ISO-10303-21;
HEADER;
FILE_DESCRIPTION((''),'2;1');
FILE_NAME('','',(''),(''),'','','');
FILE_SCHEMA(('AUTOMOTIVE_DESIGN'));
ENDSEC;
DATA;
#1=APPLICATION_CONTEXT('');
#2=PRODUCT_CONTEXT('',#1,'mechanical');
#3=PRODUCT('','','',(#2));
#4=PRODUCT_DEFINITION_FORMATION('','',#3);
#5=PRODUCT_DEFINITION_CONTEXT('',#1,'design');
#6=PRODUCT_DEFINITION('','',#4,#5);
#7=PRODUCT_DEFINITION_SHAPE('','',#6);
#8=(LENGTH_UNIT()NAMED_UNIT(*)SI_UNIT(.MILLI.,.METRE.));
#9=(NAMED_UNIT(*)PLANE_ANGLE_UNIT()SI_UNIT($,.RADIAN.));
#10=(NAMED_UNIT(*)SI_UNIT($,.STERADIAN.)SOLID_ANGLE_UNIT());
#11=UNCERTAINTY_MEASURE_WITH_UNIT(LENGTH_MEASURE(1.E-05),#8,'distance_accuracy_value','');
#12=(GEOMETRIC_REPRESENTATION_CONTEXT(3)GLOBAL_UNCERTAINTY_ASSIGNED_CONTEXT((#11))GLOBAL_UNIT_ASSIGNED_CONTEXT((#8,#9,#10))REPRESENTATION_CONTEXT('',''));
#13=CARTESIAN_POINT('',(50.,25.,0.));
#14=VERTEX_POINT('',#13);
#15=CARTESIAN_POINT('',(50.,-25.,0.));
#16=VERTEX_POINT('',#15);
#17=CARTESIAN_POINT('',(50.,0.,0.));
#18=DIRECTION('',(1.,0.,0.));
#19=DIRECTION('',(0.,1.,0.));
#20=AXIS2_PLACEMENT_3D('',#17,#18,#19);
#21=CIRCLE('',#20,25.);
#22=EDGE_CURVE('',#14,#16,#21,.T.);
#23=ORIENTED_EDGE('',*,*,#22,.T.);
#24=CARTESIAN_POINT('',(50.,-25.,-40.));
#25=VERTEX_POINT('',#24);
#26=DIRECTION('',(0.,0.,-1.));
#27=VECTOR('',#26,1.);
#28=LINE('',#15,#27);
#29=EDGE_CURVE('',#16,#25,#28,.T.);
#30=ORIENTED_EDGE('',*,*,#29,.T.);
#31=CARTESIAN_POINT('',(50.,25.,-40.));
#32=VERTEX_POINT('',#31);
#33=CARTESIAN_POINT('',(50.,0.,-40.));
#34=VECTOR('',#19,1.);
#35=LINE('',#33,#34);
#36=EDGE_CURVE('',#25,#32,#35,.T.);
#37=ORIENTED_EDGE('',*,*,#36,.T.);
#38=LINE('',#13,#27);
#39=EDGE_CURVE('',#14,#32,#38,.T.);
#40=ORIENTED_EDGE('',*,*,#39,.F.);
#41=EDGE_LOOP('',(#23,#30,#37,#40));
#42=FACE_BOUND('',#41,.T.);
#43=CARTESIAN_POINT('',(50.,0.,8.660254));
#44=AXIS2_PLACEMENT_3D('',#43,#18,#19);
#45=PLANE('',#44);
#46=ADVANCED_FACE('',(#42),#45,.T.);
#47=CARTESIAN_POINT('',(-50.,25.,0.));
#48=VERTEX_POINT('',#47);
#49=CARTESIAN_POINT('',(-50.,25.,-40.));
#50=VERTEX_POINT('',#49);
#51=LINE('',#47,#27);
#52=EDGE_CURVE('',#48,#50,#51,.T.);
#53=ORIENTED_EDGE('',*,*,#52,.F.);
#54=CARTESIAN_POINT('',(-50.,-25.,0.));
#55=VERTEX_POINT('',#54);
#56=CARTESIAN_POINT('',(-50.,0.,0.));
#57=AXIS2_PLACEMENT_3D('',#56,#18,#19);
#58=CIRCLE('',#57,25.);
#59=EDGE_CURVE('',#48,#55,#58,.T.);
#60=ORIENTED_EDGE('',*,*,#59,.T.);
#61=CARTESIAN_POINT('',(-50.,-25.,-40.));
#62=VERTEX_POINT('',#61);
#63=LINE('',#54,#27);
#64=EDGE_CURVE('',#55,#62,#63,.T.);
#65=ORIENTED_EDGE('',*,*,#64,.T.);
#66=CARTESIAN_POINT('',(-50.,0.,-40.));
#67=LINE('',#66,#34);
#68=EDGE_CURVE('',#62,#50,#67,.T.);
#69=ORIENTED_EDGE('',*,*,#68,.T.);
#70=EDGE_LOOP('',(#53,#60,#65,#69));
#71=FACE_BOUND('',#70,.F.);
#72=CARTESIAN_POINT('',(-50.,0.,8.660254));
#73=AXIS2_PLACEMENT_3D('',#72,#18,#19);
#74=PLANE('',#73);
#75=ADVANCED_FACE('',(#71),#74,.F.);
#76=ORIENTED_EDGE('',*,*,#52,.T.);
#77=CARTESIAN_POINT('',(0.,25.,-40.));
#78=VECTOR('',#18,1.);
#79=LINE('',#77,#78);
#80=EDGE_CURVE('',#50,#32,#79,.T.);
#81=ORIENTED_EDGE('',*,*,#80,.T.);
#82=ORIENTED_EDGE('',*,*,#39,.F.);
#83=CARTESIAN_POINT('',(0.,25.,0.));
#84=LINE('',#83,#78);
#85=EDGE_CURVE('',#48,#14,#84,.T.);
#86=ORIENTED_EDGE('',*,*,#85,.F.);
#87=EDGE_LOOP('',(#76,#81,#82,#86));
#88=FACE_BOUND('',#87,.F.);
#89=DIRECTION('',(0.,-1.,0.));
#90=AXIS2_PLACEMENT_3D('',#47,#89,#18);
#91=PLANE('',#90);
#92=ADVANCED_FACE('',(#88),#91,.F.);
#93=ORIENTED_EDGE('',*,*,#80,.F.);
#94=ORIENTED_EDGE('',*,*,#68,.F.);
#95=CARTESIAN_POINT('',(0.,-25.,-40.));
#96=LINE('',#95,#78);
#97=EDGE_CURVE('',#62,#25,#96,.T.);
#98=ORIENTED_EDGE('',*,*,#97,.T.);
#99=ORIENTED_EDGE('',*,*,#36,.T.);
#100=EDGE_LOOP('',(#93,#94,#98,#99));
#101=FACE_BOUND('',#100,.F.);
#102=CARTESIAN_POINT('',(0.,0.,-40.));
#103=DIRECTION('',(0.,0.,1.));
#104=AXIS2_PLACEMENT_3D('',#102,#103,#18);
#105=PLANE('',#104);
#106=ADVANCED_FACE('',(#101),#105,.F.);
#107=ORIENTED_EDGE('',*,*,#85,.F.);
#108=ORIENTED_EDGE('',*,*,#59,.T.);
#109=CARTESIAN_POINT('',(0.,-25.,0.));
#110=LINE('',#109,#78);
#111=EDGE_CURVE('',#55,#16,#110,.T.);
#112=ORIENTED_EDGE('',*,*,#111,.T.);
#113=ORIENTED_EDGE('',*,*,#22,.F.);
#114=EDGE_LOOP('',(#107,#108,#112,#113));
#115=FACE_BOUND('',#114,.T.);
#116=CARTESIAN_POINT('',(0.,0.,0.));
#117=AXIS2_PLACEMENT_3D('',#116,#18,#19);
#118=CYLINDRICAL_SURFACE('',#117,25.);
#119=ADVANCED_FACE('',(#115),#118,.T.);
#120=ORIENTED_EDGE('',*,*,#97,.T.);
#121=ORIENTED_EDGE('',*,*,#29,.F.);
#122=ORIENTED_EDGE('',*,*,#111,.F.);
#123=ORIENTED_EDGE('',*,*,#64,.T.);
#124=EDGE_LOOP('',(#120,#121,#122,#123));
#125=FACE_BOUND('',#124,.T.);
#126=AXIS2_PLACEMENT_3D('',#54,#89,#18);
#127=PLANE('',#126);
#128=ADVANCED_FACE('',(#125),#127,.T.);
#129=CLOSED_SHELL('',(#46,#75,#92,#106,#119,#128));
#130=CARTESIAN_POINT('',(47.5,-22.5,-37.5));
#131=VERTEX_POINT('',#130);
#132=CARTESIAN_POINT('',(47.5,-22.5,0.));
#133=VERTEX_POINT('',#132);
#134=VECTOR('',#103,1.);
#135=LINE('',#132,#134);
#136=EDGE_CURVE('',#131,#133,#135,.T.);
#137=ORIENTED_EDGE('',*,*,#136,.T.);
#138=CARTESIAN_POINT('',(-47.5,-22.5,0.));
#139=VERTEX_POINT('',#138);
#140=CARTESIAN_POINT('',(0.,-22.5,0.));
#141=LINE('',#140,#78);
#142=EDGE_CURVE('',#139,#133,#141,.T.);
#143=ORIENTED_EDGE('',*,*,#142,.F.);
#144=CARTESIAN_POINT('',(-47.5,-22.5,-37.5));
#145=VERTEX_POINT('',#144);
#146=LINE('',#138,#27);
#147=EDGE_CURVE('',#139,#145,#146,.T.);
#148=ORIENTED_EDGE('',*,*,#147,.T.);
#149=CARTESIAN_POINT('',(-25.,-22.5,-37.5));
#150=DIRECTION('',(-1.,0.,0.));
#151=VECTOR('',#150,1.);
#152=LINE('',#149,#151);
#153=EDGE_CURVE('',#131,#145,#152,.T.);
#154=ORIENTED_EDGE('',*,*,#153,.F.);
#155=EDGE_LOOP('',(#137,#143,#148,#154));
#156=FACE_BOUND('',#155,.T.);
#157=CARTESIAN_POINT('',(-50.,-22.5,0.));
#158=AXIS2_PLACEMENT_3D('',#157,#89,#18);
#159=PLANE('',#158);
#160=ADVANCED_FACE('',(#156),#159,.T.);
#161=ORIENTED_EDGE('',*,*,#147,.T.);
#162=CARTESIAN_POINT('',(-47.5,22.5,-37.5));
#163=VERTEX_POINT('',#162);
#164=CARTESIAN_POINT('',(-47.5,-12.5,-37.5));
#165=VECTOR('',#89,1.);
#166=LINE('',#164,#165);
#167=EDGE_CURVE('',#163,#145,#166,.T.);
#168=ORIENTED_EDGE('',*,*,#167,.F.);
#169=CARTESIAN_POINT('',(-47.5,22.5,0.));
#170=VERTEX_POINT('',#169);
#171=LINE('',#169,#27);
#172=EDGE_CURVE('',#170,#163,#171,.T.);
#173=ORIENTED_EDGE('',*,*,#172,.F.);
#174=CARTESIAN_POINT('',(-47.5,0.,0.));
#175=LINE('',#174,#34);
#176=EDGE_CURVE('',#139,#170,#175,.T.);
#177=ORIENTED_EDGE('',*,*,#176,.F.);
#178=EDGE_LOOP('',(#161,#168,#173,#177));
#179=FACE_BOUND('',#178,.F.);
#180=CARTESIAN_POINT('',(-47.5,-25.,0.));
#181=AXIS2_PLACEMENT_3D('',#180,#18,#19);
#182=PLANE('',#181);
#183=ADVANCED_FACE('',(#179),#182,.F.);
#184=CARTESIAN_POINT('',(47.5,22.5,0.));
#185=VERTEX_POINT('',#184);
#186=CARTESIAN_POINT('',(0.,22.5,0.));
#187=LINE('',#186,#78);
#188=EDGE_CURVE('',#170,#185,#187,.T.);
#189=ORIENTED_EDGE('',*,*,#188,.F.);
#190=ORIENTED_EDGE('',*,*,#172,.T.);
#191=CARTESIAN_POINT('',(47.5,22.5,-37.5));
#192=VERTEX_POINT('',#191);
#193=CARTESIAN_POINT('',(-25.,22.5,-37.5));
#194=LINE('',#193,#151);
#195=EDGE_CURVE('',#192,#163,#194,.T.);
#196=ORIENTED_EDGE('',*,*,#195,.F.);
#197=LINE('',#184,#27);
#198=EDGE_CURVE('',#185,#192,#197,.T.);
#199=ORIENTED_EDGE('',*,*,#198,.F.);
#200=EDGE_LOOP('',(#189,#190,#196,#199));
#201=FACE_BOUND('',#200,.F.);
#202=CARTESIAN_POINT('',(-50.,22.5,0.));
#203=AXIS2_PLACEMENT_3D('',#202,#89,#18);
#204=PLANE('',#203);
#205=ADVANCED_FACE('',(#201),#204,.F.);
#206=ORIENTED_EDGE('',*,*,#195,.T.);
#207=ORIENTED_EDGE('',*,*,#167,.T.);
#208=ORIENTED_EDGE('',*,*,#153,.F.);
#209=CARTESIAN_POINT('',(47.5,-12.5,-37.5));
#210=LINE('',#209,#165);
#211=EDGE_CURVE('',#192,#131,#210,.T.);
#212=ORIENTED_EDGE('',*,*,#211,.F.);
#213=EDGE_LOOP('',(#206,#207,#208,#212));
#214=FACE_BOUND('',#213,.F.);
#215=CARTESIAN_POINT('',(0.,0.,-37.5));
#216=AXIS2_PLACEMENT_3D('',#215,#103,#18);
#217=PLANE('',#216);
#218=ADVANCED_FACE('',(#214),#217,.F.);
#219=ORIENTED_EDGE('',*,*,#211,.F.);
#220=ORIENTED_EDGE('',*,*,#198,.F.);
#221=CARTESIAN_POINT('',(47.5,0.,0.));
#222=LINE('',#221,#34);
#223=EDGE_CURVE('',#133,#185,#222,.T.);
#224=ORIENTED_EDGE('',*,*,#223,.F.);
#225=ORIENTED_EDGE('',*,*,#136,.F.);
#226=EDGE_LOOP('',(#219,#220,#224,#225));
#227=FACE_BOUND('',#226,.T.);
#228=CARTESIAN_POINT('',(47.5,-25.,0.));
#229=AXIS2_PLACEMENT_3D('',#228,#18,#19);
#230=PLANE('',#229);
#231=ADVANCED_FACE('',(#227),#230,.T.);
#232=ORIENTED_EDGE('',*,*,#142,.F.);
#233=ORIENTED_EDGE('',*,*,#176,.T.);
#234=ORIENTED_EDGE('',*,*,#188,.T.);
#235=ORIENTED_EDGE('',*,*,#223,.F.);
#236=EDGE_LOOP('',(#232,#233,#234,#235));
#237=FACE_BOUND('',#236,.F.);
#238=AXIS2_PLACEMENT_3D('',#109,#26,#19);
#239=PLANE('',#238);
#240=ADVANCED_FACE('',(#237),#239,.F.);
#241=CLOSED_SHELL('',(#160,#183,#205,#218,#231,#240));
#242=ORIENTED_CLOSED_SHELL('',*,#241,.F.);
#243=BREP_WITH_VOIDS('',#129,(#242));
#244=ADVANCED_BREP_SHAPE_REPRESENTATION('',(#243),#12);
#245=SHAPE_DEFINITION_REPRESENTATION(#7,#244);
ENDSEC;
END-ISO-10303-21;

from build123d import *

# Parameters (mm, degrees)
F0_W     = 100
F0_H     = 50
F1_DEPTH = 40
F2_T     = -2.5
F4_DEPTH = 50


with BuildPart() as f1:
    # F0 (on Top) → F1 (new body)
    with BuildSketch(Plane.XY):
        Rectangle(F0_W, F0_H)
    extrude(amount=-F1_DEPTH)

    # F2
    f2_openings = [f1.faces().sort_by_distance(p)[0] for p in [
        (0, 0, 0),
    ]]
    offset(amount=F2_T, openings=f2_openings)

    # F3 (on Right) → F4 (join, symmetric)
    with BuildSketch(Plane.YZ):
        with BuildLine():
            Line((-25, 0), (25, 0))
            ThreePointArc((25, 0), (0, 25), (-25, 0))
        make_face()
    extrude(amount=F4_DEPTH, both=True)


solid = f1.part
